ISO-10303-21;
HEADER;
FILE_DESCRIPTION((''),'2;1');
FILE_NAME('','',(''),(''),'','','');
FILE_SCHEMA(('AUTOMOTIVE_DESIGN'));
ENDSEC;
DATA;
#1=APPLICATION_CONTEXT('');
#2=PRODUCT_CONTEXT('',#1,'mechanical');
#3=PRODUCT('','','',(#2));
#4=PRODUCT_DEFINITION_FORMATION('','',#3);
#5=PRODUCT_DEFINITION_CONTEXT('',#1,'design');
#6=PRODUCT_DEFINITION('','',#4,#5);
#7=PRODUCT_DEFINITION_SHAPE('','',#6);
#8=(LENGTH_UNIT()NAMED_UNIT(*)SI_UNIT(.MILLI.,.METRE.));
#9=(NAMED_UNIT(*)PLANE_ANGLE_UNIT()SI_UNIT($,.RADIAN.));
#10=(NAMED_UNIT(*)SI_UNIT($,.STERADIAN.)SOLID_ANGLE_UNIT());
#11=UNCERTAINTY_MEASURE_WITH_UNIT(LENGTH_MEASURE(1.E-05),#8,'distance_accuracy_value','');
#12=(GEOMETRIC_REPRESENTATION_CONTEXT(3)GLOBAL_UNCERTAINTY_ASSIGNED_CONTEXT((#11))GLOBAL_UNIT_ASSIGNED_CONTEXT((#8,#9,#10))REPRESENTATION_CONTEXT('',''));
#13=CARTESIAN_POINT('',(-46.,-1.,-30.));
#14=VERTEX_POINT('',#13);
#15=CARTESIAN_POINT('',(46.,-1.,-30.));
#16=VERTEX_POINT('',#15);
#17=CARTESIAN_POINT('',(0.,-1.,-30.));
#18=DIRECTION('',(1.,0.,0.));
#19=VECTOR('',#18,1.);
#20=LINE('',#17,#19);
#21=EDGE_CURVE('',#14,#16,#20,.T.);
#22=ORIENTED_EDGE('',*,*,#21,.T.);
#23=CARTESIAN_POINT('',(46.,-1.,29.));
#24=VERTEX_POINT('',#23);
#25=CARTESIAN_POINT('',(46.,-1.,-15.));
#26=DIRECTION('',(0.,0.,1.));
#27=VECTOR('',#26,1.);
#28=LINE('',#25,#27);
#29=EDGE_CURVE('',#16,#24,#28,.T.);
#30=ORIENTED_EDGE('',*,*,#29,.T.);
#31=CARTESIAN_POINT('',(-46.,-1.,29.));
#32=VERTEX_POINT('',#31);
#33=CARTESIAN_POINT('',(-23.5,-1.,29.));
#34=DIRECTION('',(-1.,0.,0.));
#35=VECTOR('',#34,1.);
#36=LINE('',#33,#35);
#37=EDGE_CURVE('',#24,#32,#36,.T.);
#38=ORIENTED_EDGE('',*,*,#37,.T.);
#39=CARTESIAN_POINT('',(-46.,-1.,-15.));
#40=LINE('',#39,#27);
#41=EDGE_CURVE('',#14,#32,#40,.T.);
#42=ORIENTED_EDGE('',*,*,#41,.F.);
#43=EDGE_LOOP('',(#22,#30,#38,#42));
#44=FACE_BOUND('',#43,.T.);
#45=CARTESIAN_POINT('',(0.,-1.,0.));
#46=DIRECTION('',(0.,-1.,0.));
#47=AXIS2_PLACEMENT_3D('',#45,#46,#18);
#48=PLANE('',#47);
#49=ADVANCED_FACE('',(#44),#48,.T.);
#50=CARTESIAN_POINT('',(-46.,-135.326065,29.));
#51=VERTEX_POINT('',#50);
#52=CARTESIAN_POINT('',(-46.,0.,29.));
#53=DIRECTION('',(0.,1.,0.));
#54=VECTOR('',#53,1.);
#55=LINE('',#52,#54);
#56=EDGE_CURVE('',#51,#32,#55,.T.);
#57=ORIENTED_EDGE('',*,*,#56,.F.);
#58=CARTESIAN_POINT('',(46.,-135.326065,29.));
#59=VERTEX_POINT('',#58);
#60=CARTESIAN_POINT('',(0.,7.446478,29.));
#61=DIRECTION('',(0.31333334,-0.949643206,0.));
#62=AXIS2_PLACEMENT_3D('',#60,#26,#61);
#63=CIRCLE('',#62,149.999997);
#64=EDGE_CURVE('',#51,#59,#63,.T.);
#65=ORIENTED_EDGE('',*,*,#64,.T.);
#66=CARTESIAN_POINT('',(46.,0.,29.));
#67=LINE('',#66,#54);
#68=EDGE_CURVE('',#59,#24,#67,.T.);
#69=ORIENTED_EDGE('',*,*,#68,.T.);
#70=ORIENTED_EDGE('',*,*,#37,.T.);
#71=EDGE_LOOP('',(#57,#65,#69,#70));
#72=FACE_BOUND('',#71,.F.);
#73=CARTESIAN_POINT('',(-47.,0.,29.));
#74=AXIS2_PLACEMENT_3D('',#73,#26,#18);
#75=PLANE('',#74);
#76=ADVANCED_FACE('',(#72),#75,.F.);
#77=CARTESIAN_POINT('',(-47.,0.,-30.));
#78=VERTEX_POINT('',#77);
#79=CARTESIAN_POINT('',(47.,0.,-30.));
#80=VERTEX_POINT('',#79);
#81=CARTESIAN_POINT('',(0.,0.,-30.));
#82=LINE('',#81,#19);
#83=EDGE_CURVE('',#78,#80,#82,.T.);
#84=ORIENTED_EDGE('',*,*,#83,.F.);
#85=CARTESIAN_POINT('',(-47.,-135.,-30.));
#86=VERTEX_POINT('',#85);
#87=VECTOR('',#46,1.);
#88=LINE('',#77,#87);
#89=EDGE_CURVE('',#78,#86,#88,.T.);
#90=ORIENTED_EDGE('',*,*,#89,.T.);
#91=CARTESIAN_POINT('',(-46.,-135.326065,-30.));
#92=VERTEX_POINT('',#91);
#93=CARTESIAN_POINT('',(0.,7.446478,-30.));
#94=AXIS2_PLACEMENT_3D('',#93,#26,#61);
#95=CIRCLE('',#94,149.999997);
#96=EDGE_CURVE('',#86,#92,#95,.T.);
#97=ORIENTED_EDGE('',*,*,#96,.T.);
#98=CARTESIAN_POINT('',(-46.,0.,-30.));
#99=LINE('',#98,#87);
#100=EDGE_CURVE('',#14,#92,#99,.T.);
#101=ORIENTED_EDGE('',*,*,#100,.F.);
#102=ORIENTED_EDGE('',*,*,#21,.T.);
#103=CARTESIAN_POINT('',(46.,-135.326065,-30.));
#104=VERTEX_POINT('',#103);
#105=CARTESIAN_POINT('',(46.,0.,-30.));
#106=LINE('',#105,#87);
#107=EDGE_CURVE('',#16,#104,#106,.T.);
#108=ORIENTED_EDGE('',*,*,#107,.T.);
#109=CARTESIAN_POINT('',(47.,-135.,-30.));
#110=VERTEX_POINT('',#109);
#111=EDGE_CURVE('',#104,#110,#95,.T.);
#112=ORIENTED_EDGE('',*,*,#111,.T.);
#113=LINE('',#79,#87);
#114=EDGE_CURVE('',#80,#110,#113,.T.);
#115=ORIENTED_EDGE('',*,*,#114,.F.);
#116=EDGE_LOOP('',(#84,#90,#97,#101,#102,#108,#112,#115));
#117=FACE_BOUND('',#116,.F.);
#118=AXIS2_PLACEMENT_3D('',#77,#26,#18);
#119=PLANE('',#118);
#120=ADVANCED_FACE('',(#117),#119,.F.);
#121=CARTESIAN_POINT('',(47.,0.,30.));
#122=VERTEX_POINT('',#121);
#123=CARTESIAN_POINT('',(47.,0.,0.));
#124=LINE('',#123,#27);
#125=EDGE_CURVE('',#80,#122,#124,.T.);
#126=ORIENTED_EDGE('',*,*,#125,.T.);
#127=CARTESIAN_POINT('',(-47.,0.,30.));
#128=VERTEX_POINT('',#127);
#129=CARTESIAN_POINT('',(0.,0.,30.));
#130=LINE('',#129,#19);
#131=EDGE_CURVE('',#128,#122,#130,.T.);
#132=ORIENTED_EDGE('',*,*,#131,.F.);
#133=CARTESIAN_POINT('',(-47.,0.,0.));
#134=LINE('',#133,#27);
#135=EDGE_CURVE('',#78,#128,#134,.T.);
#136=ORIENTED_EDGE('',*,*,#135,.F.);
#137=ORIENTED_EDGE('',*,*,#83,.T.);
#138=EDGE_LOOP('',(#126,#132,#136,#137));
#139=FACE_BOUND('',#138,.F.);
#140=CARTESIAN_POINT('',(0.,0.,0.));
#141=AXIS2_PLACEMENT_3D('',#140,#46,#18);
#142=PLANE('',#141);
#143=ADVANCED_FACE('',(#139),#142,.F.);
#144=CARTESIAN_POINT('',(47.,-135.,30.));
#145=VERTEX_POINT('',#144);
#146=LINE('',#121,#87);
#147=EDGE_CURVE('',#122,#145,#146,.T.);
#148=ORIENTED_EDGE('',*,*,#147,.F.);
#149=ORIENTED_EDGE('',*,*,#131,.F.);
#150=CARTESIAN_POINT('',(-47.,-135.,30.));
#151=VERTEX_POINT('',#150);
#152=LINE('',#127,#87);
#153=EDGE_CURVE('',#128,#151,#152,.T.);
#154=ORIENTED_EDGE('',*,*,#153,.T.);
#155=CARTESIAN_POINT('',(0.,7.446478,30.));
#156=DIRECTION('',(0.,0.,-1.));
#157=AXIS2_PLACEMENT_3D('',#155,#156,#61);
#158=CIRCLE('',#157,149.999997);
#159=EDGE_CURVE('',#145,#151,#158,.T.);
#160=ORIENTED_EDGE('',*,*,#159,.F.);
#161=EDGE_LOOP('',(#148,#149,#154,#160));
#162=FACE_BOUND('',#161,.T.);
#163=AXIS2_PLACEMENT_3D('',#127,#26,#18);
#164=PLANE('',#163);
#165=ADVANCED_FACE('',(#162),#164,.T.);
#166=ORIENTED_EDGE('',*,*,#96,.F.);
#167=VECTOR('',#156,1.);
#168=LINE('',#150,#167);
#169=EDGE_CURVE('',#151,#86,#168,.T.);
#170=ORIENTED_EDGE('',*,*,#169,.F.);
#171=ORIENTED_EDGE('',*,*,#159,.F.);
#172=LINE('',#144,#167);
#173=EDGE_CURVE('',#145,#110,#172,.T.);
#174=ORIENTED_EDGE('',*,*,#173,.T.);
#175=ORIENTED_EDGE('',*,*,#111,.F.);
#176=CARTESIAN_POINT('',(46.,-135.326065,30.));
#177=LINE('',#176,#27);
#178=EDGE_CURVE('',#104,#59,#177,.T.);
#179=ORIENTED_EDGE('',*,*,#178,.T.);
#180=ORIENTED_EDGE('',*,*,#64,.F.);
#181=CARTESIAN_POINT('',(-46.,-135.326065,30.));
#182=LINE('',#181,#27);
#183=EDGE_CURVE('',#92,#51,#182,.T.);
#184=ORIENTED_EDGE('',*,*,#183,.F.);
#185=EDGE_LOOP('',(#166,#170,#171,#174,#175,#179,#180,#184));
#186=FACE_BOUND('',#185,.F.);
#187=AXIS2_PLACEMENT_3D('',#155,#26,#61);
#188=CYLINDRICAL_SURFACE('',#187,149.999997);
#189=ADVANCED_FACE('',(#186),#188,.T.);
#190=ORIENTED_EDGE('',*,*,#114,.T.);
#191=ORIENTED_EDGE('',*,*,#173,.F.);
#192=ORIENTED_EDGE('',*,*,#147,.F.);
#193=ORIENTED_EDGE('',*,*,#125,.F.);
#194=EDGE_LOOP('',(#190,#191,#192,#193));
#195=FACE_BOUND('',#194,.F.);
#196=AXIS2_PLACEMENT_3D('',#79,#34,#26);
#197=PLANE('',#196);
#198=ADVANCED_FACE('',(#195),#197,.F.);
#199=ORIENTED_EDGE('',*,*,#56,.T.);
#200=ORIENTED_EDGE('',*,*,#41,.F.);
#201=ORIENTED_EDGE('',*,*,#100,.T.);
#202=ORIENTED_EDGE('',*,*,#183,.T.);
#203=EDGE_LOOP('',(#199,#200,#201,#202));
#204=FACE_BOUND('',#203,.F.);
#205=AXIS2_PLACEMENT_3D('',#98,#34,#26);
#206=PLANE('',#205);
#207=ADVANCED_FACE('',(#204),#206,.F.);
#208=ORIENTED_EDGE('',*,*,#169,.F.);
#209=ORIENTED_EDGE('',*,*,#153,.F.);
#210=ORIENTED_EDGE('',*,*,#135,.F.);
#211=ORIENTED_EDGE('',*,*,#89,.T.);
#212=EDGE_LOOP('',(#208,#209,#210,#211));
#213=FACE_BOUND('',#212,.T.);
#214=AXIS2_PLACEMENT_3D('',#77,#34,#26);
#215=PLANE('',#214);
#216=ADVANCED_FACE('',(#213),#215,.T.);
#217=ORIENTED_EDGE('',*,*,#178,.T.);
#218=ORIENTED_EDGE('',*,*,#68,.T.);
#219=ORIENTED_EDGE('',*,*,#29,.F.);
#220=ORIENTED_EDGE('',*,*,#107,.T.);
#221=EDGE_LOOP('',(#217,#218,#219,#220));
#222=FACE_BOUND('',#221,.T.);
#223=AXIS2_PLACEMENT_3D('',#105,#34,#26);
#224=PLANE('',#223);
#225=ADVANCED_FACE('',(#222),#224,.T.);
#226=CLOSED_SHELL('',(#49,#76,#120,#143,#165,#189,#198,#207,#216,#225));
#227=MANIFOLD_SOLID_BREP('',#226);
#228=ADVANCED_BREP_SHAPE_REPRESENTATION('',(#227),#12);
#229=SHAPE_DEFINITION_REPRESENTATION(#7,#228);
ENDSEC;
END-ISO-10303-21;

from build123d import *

# Parameters (mm, degrees)
F0_W     = 94
F0_H     = 60
F1_DEPTH = 150
F2_T     = -1
F4_DEPTH = 60.001


with BuildPart() as f1:
    # F0 (on Front) → F1 (new body)
    with BuildSketch(Plane.XZ):
        Rectangle(F0_W, F0_H)
    extrude(amount=F1_DEPTH)

    # F2
    f2_openings = [f1.faces().sort_by_distance(p)[0] for p in [
        (0, -150, 0),
        (0, -75, -30),
    ]]
    offset(amount=F2_T, openings=f2_openings)

    # F3 (on face) → F4 (cut, through all)
    with BuildSketch(Plane.XY.offset(30)):
        with BuildLine():
            Line((47, -150), (47, -135))
            ThreePointArc((47, -135), (0, -142.553519), (-47, -135))
            Line((-47, -135), (-47, -150))
            Line((-47, -150), (47, -150))
        make_face()
    extrude(amount=-F4_DEPTH, mode=Mode.SUBTRACT)


solid = f1.part
